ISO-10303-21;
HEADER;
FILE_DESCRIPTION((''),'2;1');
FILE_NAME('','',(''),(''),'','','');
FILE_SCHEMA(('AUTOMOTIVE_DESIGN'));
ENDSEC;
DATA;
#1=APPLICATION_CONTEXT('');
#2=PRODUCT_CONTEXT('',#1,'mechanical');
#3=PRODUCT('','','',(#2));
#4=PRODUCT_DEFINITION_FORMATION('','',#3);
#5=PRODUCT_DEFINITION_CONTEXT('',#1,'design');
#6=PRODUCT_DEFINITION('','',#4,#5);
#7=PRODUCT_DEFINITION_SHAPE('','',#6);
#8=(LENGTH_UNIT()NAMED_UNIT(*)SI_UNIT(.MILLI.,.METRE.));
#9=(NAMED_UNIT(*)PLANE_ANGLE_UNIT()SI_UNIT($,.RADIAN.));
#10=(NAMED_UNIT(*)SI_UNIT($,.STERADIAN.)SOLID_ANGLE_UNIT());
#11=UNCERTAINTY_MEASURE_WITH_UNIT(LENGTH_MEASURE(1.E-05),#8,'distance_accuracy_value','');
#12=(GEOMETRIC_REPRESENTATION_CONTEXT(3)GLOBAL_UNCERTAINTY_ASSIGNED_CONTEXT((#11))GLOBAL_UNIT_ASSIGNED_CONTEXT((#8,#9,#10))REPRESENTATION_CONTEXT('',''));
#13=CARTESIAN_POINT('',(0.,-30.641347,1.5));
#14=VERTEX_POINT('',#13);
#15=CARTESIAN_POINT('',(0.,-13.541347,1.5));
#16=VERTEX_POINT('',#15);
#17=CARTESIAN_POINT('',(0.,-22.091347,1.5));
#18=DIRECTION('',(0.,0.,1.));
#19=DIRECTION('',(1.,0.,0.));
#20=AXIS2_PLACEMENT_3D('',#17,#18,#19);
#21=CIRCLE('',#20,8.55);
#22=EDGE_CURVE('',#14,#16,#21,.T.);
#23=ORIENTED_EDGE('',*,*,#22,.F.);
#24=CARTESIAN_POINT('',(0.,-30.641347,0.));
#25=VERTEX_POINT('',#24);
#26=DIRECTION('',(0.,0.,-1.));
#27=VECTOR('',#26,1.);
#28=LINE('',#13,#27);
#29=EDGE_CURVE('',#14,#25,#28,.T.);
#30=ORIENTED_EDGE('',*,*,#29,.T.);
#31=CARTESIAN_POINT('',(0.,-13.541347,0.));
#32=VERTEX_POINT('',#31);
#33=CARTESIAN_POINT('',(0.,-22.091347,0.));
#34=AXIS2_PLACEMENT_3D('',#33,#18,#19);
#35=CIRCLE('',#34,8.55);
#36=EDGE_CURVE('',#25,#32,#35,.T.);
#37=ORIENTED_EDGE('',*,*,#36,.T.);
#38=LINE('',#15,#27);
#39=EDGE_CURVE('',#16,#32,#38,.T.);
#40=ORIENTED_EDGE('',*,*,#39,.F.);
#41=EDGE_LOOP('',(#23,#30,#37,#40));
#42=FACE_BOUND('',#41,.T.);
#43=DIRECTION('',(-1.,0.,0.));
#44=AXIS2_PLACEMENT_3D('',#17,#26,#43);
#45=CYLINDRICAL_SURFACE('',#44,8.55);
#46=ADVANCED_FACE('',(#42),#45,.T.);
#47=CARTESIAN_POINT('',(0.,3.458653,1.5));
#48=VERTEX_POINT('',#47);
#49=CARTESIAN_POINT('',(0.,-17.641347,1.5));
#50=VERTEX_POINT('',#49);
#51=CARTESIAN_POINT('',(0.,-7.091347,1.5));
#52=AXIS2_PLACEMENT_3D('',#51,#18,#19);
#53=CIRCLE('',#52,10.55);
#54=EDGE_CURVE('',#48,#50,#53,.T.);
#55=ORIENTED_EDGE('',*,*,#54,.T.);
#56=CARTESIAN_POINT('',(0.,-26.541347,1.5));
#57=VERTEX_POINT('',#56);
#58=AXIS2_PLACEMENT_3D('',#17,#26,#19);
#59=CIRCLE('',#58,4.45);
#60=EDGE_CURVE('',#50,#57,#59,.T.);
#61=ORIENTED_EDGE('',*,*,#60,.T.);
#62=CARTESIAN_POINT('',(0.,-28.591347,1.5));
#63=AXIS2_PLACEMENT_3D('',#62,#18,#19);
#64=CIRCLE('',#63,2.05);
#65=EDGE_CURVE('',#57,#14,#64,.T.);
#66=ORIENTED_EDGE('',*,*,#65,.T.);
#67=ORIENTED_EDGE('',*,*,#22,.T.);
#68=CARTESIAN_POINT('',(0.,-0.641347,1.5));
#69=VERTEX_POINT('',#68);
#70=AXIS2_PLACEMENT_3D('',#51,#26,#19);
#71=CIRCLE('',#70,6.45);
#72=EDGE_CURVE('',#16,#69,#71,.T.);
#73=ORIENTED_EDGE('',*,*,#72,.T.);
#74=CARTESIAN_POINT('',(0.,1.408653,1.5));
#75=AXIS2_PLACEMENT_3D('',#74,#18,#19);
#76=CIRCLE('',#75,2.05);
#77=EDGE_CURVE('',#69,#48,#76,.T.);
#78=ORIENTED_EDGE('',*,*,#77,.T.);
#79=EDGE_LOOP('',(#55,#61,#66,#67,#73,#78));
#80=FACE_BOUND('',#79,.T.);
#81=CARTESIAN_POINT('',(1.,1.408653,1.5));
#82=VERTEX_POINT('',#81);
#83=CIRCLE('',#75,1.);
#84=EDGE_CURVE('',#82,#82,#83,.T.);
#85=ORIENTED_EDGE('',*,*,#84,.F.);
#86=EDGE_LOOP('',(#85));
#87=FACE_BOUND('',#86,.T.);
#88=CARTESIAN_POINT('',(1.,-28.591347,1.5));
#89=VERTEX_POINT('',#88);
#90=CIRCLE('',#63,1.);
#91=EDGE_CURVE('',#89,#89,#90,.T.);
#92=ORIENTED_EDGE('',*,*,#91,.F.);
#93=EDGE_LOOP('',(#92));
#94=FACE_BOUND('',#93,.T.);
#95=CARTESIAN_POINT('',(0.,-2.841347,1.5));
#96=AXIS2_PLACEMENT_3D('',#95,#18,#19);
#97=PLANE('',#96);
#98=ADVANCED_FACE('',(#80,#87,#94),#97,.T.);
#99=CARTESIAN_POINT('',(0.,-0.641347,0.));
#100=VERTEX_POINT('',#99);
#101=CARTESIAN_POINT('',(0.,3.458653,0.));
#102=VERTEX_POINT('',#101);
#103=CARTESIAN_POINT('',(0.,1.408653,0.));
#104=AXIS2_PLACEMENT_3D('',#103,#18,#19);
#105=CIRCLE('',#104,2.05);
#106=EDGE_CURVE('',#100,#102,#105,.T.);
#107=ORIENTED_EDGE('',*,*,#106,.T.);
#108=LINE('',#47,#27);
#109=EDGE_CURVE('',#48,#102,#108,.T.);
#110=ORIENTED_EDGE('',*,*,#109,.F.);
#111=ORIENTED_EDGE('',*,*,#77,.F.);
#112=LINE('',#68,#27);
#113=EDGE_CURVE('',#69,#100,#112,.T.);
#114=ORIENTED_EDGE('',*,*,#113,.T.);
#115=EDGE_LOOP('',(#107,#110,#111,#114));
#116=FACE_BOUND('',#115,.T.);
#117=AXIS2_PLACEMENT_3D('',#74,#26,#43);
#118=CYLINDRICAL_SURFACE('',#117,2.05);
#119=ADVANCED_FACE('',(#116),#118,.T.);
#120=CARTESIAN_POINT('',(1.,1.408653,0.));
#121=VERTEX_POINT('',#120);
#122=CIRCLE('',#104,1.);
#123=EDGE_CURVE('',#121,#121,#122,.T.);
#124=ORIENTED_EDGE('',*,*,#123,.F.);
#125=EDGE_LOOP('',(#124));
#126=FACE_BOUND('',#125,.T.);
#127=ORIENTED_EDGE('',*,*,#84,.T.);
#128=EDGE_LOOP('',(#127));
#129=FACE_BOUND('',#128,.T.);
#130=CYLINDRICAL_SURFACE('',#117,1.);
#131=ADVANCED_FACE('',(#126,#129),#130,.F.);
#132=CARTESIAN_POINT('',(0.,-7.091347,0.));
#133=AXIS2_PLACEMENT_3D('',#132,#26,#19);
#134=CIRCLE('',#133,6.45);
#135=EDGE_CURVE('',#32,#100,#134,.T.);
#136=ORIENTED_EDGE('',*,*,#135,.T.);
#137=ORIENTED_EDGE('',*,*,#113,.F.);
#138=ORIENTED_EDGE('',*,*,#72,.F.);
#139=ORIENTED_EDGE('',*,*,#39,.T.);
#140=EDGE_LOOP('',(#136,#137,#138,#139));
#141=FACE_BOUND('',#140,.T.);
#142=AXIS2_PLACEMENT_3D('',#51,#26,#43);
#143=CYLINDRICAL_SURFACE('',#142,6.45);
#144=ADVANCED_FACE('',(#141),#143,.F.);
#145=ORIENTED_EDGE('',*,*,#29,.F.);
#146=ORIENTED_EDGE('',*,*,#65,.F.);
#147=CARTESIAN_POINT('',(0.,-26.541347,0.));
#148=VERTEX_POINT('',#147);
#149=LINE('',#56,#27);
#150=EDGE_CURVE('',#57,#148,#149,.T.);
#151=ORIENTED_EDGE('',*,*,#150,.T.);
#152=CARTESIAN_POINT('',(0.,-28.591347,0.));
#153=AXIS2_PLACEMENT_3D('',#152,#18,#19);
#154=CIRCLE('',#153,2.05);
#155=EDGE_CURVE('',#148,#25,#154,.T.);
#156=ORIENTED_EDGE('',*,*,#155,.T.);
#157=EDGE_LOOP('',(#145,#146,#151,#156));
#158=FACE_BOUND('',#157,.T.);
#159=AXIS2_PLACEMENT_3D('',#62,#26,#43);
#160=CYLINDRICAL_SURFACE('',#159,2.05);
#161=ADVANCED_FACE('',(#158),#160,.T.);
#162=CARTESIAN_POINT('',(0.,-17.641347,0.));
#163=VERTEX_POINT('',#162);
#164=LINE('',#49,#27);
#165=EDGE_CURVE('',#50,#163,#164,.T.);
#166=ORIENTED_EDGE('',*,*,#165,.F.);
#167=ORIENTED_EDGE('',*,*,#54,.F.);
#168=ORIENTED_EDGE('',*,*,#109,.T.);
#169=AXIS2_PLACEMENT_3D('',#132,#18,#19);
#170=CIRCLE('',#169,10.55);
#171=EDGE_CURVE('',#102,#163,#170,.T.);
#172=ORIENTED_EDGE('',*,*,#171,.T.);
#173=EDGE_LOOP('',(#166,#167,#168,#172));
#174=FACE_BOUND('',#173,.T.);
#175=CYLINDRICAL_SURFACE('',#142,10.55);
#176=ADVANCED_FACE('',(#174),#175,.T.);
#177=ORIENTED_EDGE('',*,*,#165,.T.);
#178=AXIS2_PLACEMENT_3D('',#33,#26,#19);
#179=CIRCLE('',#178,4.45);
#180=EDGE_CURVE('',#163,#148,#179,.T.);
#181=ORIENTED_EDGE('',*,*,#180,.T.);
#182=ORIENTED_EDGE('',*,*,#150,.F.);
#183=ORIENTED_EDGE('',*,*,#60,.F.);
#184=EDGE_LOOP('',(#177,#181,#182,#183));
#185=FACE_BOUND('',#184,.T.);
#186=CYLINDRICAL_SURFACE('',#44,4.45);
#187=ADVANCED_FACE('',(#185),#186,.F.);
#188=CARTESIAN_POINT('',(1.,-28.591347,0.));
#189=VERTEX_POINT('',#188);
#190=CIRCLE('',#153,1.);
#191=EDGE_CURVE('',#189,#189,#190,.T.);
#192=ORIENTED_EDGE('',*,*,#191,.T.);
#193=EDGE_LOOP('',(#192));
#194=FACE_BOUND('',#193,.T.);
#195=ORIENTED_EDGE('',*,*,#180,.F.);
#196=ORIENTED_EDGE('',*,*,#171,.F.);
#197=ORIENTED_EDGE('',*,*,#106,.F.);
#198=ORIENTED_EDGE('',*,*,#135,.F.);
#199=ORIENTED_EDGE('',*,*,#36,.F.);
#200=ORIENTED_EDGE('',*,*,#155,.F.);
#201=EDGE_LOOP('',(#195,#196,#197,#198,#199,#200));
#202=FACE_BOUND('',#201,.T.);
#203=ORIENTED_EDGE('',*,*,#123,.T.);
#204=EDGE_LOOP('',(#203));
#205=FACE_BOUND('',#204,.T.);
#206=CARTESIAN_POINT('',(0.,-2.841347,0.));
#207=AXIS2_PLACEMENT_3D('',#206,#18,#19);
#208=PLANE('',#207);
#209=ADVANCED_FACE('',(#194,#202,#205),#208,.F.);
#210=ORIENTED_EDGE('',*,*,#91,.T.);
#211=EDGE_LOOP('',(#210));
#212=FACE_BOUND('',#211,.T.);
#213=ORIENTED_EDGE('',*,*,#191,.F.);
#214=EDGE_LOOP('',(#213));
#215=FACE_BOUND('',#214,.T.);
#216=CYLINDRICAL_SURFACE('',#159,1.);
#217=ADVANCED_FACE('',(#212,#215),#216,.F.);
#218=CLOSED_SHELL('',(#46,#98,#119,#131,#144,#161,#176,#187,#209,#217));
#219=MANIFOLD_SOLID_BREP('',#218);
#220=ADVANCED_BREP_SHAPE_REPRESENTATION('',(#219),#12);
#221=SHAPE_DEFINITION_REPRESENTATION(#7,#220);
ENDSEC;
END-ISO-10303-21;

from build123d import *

# Parameters (mm, degrees)
SKETCH1_R           = 1
BOSS_EXTRUDE1_DEPTH = 1.5


with BuildPart() as part:
    # Sketch1 → Boss-Extrude1 (new body)
    with BuildSketch(Plane.XY):
        with BuildLine():
            ThreePointArc((0, 3.458652708), (-10.55, -7.091347292), (0, -17.641347292))
            ThreePointArc((0, -17.641347292), (4.45, -22.091347292), (0, -26.541347292))
            ThreePointArc((0, -26.541347292), (-2.05, -28.591347292), (0, -30.641347292))
            ThreePointArc((0, -30.641347292), (8.55, -22.091347292), (0, -13.541347292))
            ThreePointArc((0, -13.541347292), (-6.45, -7.091347292), (0, -0.641347292))
            ThreePointArc((0, -0.641347292), (2.05, 1.408652708), (0, 3.458652708))
        make_face()
        with Locations((0, 1.408652708)):
            Circle(SKETCH1_R, mode=Mode.SUBTRACT)
        with Locations((0, -28.591347292)):
            Circle(SKETCH1_R, mode=Mode.SUBTRACT)
    extrude(amount=BOSS_EXTRUDE1_DEPTH)


solid = part.part
